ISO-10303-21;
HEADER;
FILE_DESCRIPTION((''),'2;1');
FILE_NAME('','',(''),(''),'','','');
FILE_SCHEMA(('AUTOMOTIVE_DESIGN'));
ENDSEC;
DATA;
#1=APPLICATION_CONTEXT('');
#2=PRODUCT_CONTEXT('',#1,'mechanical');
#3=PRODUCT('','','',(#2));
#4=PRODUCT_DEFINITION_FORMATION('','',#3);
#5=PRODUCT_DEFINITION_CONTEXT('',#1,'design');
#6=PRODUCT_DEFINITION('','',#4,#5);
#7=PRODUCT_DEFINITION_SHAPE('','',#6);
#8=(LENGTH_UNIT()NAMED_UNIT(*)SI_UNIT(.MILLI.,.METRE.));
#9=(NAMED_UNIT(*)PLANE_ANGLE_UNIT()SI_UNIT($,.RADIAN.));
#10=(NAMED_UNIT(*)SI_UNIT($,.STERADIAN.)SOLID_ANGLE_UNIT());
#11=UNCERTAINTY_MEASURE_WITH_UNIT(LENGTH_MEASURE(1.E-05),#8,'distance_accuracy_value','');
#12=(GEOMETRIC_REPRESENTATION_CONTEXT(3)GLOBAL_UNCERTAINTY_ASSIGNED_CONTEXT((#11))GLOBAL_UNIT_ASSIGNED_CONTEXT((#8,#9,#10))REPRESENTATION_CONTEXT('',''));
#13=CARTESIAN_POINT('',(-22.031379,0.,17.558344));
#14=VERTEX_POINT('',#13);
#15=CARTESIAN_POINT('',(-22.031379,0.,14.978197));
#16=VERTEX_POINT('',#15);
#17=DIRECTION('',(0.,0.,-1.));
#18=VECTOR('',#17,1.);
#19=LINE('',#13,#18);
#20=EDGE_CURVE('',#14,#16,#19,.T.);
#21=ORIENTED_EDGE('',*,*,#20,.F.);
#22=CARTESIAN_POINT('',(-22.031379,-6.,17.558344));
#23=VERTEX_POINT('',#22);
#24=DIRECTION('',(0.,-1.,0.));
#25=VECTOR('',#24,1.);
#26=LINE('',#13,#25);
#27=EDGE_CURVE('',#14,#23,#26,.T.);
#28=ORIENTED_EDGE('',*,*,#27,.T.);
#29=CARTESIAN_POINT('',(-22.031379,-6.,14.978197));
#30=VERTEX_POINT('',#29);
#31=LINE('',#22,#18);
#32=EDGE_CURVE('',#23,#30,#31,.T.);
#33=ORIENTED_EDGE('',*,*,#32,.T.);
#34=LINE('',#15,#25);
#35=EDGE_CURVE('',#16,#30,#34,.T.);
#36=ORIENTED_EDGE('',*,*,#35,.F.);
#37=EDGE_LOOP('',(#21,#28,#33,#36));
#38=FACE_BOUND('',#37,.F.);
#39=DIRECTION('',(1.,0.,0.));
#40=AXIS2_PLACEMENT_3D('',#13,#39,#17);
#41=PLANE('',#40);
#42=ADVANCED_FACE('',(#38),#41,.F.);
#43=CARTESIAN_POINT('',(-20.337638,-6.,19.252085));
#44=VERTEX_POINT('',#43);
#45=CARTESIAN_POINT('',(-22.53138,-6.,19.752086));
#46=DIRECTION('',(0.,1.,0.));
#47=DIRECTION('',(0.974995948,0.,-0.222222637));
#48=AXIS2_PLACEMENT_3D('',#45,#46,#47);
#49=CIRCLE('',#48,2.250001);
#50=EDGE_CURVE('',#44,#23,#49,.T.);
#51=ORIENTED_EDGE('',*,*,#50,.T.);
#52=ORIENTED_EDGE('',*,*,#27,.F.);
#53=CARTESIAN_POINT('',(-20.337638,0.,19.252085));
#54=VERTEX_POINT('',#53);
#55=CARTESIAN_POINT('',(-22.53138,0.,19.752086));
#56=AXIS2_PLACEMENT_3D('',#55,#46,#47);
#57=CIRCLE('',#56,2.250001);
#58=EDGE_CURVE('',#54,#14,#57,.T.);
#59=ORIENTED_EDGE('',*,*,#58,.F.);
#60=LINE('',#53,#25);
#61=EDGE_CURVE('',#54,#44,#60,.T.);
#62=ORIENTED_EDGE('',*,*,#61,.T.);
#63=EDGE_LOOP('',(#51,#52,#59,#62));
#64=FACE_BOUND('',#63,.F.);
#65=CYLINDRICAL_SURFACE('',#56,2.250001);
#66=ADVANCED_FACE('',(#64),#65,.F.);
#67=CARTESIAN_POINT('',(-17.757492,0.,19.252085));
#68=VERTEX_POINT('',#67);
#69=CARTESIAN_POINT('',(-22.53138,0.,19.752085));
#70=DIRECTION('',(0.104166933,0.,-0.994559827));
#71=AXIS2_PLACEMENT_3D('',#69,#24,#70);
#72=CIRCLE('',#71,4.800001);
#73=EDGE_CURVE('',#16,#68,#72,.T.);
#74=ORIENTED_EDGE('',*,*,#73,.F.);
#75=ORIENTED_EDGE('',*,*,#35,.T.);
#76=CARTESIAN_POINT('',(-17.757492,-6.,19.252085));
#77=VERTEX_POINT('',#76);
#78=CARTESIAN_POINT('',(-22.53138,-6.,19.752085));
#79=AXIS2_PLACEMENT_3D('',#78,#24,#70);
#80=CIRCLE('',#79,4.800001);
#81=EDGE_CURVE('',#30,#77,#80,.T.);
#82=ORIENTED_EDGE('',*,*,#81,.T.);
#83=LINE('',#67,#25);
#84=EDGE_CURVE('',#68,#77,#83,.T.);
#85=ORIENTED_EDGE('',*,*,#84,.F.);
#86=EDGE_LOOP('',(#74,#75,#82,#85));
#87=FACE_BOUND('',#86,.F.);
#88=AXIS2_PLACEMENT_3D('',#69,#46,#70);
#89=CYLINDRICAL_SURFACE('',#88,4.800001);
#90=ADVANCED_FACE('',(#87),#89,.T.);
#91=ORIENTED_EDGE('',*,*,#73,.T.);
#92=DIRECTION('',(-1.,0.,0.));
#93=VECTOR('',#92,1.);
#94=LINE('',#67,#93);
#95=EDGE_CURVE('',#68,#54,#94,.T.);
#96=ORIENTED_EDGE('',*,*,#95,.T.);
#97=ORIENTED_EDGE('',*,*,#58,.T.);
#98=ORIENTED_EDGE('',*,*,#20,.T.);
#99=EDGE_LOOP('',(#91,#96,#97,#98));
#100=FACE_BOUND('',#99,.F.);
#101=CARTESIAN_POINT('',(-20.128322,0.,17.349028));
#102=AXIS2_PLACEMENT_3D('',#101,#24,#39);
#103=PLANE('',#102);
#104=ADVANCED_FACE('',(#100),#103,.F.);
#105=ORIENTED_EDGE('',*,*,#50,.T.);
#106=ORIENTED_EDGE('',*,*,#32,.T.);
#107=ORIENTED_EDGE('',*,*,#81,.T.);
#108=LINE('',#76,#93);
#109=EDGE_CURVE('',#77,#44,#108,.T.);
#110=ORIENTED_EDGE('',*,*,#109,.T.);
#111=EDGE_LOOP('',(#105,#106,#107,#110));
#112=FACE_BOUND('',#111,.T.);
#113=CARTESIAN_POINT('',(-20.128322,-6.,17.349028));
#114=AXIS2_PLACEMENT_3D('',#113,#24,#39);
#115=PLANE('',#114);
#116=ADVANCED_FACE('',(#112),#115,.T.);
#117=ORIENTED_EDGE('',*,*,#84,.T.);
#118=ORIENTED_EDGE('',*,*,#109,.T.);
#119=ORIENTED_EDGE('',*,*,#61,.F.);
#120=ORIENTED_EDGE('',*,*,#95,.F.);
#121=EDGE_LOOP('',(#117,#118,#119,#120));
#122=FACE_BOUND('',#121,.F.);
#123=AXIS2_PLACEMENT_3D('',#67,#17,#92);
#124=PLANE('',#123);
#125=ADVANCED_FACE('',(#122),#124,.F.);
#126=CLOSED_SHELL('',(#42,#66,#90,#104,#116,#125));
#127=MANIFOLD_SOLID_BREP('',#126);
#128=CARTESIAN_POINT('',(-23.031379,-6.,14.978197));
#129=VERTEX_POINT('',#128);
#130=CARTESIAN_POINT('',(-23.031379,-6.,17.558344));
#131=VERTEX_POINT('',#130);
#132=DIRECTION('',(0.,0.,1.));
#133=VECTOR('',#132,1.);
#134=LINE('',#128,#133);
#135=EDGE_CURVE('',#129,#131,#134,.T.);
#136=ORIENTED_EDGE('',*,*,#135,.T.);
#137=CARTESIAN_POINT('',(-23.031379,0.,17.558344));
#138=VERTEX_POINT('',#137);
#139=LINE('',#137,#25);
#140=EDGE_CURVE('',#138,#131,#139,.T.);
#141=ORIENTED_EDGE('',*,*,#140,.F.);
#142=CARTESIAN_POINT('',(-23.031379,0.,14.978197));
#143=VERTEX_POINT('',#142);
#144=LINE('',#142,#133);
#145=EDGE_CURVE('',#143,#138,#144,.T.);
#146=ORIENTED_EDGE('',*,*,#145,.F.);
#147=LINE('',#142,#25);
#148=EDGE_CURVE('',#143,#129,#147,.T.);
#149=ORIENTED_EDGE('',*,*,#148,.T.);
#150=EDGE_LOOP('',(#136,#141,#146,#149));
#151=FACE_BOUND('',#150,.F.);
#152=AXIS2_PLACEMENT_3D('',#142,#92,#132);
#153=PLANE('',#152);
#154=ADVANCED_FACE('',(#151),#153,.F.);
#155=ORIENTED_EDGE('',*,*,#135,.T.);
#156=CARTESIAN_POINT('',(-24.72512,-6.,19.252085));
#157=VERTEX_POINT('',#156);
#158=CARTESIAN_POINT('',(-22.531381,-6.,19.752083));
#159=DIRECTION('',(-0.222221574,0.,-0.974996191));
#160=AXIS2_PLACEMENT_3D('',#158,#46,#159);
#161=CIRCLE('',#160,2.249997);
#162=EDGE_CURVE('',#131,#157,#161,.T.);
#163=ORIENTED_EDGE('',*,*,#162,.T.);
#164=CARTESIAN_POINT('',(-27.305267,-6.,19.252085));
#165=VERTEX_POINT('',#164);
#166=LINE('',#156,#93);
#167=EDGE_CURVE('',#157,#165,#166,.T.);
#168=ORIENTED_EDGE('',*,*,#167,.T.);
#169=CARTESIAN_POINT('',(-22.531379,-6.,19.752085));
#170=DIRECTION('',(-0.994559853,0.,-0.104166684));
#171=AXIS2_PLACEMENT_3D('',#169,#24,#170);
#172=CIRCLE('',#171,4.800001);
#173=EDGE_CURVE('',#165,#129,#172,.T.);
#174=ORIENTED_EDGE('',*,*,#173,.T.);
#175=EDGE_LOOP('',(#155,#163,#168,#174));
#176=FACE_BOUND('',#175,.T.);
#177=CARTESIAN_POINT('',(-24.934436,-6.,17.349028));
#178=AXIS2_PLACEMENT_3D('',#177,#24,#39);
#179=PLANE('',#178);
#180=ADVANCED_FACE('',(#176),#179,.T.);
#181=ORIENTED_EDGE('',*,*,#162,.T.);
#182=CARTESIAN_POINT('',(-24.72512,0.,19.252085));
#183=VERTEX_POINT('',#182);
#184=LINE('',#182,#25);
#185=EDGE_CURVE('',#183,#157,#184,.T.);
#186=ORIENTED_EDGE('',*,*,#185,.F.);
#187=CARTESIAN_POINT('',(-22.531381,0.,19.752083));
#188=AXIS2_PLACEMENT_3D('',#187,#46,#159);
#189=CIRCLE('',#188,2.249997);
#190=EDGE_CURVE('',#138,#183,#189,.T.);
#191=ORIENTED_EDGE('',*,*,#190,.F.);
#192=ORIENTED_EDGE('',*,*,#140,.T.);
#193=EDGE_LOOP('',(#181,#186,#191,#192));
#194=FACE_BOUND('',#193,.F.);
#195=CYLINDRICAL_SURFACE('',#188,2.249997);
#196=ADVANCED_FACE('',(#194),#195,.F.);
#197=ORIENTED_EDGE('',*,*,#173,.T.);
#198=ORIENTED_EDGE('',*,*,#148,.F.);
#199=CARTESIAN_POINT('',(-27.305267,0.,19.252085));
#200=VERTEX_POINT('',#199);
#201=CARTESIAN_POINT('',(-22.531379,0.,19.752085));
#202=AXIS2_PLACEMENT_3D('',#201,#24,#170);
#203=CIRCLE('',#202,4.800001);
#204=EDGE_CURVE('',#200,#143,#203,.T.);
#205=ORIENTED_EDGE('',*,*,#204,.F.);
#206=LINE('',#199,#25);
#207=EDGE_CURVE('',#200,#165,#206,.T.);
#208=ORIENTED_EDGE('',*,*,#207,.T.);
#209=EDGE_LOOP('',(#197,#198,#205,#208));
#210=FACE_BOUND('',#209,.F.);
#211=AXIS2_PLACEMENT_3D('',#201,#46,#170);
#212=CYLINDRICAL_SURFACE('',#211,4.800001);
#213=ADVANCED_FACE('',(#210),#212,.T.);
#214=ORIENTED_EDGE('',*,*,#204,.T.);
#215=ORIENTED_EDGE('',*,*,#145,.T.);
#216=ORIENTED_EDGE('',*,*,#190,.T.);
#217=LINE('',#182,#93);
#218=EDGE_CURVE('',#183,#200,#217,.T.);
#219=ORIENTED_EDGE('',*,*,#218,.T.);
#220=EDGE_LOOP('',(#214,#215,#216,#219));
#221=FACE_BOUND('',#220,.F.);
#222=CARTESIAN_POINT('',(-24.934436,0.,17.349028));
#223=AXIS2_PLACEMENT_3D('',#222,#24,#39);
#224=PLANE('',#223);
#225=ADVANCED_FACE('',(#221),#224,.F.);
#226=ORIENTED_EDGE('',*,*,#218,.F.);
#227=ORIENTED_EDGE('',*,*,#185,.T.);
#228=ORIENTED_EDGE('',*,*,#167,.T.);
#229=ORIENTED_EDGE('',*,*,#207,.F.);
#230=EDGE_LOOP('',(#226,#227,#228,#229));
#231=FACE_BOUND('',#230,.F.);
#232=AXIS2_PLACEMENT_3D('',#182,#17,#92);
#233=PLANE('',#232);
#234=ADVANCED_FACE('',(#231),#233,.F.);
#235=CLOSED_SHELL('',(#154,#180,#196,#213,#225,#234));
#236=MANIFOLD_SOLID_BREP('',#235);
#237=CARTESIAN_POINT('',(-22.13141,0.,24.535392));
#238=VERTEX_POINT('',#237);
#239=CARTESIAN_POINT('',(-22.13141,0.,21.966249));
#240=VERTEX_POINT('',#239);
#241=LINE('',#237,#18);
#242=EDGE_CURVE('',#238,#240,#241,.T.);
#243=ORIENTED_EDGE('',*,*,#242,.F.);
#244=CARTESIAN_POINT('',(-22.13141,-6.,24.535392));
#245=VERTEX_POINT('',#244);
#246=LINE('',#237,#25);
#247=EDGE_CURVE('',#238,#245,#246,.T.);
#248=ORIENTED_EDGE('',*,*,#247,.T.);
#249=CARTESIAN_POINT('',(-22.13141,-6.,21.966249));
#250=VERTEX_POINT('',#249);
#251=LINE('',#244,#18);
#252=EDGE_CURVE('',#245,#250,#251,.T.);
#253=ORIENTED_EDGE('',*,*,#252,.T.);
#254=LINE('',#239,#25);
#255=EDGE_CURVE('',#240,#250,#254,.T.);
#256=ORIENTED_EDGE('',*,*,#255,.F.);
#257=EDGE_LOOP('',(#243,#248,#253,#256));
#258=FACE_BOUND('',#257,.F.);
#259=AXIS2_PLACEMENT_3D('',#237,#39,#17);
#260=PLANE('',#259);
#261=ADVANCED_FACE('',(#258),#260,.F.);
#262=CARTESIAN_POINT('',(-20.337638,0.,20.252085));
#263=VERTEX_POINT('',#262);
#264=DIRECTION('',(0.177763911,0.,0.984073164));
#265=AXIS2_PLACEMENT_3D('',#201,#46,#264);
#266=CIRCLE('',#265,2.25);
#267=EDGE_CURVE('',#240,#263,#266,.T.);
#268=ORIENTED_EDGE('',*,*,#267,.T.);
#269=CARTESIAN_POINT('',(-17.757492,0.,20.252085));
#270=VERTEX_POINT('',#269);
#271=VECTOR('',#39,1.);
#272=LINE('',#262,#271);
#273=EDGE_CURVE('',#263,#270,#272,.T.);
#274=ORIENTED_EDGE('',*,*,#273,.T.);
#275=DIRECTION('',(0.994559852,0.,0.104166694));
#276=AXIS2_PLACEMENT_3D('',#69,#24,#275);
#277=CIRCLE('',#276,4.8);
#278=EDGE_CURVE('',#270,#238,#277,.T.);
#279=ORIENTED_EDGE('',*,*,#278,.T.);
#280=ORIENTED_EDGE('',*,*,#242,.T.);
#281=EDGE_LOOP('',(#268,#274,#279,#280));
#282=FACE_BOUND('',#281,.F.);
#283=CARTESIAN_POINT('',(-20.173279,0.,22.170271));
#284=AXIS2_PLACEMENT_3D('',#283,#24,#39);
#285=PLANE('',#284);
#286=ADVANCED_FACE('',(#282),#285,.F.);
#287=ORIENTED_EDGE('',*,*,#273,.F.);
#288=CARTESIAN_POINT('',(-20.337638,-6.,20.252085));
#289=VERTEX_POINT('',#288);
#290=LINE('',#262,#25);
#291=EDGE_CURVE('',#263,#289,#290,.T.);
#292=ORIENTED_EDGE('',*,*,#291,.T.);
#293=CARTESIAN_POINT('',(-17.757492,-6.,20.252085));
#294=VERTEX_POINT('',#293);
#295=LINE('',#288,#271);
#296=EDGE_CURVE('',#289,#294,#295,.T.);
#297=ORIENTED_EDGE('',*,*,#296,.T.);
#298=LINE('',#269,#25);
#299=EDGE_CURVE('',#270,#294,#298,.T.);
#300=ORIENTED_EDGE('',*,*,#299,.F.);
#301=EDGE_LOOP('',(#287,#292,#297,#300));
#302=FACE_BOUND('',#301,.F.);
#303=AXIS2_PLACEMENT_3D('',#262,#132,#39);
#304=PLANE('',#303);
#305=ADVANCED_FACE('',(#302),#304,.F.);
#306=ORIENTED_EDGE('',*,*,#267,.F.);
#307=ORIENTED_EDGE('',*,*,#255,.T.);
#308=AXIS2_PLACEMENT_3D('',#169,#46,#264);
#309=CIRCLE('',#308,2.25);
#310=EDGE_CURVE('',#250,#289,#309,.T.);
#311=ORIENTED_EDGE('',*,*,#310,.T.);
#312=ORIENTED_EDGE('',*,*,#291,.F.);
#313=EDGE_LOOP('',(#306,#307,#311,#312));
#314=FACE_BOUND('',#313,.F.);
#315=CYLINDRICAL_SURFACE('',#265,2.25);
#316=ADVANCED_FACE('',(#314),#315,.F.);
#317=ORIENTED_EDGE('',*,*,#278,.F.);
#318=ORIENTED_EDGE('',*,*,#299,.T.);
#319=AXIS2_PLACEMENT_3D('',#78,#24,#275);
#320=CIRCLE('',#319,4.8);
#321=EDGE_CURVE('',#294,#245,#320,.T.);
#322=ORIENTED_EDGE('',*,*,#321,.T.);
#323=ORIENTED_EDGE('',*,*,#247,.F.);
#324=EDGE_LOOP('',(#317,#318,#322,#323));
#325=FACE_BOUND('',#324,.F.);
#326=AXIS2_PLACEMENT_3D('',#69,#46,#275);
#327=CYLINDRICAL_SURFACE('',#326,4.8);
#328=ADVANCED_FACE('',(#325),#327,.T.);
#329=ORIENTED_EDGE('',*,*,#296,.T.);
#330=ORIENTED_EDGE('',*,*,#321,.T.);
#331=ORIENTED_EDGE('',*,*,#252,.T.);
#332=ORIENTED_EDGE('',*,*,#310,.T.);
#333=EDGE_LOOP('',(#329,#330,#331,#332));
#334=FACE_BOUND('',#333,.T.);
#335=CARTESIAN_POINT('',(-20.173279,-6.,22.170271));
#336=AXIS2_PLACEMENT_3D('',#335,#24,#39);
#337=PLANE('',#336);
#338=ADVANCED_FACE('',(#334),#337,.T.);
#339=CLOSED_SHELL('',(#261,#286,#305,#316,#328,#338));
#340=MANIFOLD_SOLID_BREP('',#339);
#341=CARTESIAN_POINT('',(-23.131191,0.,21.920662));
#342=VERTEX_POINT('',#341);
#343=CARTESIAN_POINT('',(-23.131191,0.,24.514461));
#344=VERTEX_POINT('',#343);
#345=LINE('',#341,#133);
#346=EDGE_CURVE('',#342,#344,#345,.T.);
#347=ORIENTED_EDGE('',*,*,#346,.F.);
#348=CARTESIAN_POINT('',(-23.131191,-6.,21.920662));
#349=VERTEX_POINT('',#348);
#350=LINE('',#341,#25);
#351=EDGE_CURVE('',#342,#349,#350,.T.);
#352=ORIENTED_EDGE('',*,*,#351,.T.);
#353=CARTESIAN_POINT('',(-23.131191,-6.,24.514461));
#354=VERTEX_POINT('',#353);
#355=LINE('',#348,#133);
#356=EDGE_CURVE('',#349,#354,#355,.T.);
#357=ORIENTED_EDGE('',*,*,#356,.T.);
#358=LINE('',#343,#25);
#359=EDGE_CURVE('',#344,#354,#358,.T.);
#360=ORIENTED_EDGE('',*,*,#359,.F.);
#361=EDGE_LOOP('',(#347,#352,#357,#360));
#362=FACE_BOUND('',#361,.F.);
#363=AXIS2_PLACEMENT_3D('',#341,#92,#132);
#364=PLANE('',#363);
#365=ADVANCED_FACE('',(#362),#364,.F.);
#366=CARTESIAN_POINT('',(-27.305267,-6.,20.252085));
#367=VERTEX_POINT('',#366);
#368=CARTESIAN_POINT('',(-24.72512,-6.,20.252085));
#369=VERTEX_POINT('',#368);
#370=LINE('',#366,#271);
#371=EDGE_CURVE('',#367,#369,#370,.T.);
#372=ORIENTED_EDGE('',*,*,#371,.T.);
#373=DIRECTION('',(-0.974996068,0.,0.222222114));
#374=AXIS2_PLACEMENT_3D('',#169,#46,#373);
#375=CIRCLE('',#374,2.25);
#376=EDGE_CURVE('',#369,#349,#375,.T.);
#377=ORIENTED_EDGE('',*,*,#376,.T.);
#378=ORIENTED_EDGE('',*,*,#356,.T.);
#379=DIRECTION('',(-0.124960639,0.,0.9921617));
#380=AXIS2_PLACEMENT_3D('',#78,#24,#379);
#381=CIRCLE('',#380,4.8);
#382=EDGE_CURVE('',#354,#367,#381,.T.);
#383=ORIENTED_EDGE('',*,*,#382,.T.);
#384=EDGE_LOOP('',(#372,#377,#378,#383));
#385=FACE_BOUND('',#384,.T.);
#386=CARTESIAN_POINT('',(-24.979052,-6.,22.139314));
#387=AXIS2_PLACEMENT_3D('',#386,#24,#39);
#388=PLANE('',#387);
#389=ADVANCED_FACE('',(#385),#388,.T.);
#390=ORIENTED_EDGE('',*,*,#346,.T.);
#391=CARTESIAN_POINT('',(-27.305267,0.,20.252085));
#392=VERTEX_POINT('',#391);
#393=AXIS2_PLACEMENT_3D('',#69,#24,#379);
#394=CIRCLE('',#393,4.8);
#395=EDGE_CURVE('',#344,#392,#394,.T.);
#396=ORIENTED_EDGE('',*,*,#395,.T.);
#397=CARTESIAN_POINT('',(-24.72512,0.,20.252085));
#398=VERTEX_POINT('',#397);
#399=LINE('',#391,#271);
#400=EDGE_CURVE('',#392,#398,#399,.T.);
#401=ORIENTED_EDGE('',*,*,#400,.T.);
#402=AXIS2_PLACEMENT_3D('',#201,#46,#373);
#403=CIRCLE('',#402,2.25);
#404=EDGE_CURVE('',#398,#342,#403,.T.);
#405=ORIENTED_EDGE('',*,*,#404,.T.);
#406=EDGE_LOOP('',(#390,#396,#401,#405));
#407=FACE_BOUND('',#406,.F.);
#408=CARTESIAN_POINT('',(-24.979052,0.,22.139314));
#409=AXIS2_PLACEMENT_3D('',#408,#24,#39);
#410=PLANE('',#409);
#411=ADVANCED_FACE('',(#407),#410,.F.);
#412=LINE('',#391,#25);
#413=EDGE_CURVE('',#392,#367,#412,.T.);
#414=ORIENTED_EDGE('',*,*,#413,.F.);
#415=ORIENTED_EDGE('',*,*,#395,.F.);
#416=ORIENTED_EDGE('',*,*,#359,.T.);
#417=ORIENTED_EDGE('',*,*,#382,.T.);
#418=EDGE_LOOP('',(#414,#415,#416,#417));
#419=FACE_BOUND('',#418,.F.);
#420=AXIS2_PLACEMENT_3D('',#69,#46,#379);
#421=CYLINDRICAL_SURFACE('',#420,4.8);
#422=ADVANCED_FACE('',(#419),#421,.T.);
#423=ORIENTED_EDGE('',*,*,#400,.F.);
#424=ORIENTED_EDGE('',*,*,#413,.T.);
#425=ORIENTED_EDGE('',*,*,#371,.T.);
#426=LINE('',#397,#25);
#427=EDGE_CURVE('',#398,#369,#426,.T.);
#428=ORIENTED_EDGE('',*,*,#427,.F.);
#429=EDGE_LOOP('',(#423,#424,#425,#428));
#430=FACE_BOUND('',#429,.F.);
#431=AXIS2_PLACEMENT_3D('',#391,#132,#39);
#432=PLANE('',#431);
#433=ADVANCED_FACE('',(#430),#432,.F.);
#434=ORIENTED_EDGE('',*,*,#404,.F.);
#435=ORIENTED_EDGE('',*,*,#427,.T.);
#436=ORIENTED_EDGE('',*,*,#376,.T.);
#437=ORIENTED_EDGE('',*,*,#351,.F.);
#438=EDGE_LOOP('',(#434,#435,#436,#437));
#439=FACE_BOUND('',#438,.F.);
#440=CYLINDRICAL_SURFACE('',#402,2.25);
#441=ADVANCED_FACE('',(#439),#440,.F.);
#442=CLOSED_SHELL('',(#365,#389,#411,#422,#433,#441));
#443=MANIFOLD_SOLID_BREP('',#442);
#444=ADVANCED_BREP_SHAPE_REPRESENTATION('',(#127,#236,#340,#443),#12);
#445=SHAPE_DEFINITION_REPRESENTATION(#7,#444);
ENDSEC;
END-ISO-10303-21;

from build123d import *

# Parameters (mm, degrees)
F1_DEPTH = 6


with BuildPart() as f1:
    # F0 (on Front) → F1 (new body)
    with BuildSketch(Plane.XZ):
        with BuildLine():
            Line((-23.131191, 21.920662), (-23.131191, 24.514461))
            ThreePointArc((-23.131191, 24.514461), (-25.960829, 23.110489), (-27.305267, 20.252085))
            Line((-27.305267, 20.252085), (-24.72512, 20.252085))
            ThreePointArc((-24.72512, 20.252085), (-24.158346, 21.306266), (-23.131191, 21.920662))
        make_face()
        with BuildLine():
            Line((-20.337638, 20.252085), (-17.757492, 20.252085))
            ThreePointArc((-17.757492, 20.252085), (-19.172975, 23.181534), (-22.13141, 24.535392))
            Line((-22.13141, 24.535392), (-22.13141, 21.966249))
            ThreePointArc((-22.13141, 21.966249), (-20.976894, 21.378761), (-20.337638, 20.252085))
        make_face()
        with BuildLine():
            ThreePointArc((-22.031379, 14.978197), (-19.137267, 16.357972), (-17.757492, 19.252085))
            Line((-17.757492, 19.252085), (-20.337638, 19.252085))
            ThreePointArc((-20.337638, 19.252085), (-20.940389, 18.161095), (-22.031379, 17.558344))
            Line((-22.031379, 17.558344), (-22.031379, 14.978197))
        make_face()
        with BuildLine():
            ThreePointArc((-27.305267, 19.252085), (-25.925492, 16.357972), (-23.031379, 14.978197))
            Line((-23.031379, 14.978197), (-23.031379, 17.558344))
            ThreePointArc((-23.031379, 17.558344), (-24.12237, 18.161095), (-24.72512, 19.252085))
            Line((-24.72512, 19.252085), (-27.305267, 19.252085))
        make_face()
    extrude(amount=F1_DEPTH)


solid = f1.part
